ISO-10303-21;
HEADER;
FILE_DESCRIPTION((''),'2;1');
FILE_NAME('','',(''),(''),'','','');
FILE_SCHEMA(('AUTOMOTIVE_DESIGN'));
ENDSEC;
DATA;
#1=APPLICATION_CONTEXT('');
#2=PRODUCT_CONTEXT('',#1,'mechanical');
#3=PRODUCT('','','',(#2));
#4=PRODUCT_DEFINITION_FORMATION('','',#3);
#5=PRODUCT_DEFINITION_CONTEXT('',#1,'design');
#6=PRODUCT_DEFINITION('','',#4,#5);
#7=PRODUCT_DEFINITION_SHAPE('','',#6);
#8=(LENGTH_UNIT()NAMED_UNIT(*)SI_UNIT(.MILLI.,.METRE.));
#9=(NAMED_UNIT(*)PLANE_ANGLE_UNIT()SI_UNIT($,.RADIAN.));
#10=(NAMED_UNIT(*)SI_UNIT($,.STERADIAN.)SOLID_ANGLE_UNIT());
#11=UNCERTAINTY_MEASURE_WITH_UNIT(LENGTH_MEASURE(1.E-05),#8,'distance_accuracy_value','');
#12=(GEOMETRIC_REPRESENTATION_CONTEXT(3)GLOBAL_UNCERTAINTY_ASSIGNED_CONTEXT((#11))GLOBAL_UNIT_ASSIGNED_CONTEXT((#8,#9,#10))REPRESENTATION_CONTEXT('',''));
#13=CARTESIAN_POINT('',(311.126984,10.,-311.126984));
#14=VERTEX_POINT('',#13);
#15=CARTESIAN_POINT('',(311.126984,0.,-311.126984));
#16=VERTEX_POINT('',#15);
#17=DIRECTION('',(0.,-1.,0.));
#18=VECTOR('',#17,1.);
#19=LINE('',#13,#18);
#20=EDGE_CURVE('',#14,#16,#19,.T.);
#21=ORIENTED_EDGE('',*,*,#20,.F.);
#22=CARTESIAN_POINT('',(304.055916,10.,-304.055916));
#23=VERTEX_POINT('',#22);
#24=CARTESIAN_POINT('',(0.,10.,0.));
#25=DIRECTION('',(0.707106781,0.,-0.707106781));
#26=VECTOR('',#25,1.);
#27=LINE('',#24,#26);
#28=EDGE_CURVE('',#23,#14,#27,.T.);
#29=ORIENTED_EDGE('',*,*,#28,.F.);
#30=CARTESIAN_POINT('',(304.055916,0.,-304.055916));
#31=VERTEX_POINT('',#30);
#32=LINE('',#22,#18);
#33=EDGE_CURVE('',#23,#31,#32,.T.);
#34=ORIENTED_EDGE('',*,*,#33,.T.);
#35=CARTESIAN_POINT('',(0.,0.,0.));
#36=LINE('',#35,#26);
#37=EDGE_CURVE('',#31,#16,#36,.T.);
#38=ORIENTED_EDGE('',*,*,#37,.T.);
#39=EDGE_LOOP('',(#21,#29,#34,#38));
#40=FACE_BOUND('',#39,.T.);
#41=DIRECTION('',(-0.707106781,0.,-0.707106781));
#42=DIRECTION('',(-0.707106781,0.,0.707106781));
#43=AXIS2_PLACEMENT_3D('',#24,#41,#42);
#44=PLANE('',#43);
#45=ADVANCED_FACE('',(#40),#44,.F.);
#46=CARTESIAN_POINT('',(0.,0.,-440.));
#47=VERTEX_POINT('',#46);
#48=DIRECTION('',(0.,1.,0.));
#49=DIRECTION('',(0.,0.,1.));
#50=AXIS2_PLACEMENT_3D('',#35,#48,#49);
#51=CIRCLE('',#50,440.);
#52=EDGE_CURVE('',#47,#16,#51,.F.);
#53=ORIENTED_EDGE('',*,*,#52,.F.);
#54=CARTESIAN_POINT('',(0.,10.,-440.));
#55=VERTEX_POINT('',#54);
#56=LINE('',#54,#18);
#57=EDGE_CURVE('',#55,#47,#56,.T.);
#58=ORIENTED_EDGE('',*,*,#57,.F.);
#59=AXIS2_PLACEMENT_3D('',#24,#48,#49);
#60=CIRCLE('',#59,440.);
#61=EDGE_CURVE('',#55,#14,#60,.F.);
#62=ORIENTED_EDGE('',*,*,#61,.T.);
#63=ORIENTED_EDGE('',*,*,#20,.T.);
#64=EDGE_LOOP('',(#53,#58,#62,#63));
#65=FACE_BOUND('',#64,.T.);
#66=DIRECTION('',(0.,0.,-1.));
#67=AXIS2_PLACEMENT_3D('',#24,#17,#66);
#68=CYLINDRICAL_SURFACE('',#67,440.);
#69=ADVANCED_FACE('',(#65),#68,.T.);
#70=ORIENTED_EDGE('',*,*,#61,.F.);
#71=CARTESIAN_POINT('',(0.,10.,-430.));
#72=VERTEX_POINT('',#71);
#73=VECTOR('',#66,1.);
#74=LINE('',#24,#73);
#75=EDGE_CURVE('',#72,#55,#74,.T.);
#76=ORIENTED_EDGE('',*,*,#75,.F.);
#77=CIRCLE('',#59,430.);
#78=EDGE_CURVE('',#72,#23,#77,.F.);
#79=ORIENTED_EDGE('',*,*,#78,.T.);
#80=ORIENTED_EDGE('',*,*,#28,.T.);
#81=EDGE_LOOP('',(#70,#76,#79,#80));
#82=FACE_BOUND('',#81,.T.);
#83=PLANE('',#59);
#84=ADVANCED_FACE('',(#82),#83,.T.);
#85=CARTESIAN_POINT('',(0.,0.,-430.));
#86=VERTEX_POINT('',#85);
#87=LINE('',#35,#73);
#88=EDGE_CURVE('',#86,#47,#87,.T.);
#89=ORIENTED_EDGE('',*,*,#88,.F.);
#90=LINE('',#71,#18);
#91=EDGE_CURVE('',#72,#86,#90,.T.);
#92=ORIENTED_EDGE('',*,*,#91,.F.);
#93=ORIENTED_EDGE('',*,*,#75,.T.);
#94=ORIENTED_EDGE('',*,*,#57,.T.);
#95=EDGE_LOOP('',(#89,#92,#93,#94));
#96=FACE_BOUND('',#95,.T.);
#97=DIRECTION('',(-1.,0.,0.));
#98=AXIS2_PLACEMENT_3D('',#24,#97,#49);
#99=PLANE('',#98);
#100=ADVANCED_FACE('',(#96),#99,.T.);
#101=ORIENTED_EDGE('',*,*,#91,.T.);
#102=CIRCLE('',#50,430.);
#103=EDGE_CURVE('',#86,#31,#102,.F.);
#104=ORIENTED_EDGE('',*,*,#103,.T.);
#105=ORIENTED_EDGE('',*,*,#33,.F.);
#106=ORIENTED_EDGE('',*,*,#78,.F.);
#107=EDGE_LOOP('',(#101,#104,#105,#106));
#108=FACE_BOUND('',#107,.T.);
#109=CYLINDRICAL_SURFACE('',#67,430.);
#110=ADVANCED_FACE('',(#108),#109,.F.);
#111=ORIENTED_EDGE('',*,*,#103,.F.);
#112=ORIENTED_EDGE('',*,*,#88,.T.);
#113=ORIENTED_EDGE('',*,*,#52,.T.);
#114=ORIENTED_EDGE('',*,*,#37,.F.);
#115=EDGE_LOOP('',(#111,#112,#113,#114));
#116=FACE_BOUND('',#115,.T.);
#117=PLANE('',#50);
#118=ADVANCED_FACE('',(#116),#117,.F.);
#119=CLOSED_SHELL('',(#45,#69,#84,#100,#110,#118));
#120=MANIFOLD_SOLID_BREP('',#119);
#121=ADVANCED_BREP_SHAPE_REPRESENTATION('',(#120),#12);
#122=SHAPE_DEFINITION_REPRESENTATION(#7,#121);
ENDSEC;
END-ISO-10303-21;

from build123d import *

# Parameters (mm, degrees)
BOSS_EXTRUDE1_DEPTH = 10


with BuildPart() as part:
    # Sketch1 → Boss-Extrude1 (new body)
    with BuildSketch(Plane(origin=(0, 0, 0), x_dir=(1, 0, 0), z_dir=(0, 1, 0))):
        with BuildLine():
            ThreePointArc((0, 440), (168.380710241, 406.506994305), (311.126983722, 311.126983722))
            Line((311.126983722, 311.126983722), (304.05591591, 304.05591591))
            ThreePointArc((304.05591591, 304.05591591), (164.553875917, 397.26819898), (0, 430))
            Line((0, 430), (0, 440))
        make_face()
    extrude(amount=BOSS_EXTRUDE1_DEPTH)


solid = part.part
